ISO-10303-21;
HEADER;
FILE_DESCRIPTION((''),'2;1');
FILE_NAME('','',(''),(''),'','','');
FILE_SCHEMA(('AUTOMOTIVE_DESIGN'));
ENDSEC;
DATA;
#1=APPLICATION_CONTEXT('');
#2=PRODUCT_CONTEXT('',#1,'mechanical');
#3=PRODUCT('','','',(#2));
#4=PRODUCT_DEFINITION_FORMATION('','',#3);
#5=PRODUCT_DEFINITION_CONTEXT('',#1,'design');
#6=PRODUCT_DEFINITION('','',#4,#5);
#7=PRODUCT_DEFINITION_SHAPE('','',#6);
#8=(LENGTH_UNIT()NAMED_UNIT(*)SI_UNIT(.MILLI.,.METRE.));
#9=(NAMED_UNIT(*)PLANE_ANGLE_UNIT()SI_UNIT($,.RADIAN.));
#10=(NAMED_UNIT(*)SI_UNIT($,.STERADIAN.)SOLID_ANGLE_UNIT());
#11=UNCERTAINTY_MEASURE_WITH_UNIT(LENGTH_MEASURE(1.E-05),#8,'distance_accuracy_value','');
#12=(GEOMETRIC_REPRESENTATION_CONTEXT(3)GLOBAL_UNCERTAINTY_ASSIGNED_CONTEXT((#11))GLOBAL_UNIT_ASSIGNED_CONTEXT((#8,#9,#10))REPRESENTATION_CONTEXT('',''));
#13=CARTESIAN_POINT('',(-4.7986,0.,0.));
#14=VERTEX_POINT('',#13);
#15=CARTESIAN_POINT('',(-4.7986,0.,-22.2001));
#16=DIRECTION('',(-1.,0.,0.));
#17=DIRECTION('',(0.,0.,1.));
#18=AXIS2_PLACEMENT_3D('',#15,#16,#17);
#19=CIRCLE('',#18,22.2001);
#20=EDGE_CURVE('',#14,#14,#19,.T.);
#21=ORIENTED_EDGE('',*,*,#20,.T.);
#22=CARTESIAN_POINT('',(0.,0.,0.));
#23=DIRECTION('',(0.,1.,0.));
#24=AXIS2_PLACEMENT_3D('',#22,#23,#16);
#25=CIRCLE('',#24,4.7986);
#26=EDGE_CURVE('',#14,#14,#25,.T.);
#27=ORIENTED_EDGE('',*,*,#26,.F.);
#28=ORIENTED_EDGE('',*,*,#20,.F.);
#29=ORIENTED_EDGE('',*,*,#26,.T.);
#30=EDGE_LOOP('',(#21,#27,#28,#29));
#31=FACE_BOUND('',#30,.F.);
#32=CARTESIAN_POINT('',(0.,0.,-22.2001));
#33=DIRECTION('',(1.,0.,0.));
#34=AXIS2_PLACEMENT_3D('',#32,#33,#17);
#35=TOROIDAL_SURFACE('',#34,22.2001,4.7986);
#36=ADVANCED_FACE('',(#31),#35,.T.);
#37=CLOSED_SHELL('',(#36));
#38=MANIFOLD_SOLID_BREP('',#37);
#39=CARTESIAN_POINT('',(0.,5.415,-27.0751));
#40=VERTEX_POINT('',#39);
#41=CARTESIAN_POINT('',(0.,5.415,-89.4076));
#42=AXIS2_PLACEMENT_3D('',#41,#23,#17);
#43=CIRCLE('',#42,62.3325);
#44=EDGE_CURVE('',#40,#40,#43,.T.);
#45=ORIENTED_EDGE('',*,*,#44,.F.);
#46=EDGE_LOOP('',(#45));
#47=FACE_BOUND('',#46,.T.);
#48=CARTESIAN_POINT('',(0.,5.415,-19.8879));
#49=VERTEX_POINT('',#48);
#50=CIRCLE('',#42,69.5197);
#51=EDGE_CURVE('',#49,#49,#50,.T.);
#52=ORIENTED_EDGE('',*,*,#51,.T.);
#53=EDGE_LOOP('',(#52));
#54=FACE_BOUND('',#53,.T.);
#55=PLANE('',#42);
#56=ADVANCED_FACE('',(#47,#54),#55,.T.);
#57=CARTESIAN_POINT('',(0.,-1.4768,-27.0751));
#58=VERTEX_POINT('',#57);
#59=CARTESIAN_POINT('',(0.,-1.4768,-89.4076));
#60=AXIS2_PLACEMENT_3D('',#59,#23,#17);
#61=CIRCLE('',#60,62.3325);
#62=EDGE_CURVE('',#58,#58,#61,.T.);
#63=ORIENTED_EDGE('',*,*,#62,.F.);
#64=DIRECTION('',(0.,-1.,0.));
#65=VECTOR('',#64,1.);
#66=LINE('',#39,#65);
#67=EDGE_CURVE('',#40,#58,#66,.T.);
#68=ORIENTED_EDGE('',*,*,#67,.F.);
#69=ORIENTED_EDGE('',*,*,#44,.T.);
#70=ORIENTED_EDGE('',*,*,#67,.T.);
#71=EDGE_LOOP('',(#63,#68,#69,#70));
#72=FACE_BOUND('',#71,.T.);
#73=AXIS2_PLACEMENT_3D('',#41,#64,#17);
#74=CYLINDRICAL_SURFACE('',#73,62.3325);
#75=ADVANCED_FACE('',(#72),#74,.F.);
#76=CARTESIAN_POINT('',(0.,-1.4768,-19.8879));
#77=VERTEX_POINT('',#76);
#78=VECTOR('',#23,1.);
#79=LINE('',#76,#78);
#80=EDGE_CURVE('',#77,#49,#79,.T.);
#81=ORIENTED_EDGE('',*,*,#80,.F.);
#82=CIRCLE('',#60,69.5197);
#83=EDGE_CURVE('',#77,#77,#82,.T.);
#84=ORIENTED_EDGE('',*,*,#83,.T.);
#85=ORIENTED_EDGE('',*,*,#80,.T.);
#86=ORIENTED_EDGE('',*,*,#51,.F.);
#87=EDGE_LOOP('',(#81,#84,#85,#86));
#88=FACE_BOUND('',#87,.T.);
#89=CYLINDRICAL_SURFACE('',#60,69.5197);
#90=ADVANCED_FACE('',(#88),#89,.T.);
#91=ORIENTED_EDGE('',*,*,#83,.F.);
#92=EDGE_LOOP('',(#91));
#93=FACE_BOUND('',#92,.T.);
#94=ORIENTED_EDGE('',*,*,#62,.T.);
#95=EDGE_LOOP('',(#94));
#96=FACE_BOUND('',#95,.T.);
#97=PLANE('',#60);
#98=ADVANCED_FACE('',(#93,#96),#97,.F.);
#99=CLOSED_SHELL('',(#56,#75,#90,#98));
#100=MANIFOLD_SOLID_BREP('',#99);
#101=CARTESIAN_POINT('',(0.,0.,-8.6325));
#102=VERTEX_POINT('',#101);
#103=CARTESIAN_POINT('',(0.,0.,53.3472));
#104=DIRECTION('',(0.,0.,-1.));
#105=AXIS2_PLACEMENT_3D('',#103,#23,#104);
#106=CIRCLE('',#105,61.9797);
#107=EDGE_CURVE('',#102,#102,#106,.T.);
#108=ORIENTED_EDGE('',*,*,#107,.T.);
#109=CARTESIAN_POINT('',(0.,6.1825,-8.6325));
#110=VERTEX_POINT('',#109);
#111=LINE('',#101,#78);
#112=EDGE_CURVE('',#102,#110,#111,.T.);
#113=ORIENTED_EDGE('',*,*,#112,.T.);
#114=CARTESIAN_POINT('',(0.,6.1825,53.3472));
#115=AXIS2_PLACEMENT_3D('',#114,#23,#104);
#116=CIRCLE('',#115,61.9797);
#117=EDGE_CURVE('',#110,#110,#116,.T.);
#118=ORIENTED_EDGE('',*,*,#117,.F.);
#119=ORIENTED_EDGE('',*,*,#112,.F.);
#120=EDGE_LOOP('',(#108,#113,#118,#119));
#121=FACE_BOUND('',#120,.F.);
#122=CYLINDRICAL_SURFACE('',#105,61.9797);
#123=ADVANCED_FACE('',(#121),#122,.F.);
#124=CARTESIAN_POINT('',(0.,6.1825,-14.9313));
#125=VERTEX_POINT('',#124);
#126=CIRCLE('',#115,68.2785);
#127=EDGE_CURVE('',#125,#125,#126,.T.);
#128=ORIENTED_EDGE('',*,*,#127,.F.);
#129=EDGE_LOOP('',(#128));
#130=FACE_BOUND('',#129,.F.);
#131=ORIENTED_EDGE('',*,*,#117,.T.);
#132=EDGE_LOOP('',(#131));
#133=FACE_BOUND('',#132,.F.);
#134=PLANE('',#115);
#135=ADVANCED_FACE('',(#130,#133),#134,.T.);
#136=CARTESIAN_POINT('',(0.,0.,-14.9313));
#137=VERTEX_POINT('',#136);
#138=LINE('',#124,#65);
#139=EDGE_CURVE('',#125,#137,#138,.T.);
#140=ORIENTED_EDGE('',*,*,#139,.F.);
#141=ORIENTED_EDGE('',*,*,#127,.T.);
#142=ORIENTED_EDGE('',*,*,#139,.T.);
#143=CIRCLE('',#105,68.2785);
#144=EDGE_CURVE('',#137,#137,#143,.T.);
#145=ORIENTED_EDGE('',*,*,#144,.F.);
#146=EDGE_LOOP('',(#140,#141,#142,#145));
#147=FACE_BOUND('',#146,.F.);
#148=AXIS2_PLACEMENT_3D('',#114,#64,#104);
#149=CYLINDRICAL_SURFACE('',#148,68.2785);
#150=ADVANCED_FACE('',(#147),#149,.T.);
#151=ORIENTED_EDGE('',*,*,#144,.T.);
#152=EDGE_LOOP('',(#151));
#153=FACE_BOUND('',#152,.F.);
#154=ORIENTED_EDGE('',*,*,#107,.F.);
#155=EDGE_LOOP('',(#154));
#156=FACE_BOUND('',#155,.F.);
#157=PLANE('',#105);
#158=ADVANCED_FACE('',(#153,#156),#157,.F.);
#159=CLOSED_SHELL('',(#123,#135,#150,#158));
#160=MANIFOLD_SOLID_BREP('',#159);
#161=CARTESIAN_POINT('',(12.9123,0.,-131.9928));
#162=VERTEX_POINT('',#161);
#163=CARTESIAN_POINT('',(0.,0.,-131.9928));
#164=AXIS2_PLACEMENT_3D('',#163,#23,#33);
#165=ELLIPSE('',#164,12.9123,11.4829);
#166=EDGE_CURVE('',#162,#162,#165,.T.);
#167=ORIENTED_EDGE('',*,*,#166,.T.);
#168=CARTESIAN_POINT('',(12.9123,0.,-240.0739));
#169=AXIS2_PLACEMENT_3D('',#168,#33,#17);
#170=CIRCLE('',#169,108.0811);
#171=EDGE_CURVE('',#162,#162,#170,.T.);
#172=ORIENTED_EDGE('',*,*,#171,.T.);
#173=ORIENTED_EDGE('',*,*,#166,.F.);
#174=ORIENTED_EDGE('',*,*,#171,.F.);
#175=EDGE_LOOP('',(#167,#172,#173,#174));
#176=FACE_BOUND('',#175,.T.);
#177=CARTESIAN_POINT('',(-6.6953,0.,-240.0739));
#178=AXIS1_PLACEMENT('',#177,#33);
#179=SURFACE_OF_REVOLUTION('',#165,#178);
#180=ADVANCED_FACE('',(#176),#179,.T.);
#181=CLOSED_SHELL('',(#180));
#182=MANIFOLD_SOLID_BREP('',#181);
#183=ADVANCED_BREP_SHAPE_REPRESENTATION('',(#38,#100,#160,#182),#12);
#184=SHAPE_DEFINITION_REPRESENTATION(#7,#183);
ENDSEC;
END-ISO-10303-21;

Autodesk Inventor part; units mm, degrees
ref_plane "XY Plane" through (0, 0, 0) normal (0, 0, 1) x (1, 0, 0)
sketch "Sketch1" plane through (0, 0, 0) normal (0, 1, 0) x (-1, 0, 0)
  circle A0 centre (0, 0) radius 4.7986
  line L0 (-3.1183, -22.2001) -> (2.8357, -22.2001)
revolve "Revolution1" add sketch "Sketch1" angle 360 about axis through (3.1183, 0, -22.2001) along (-1, 0, 0)
ref_plane "Work Plane1" through (0, 0, 0) normal (1, 0, 0) x (0, 1, 0)
ref_plane "Work Plane2" through (0, 0, 0) normal (0, 1, 0) x (-1, 0, 0)
sketch "Sketch2" plane through (0, 0, 0) normal (1, 0, 0) x (0, 1, 0)
  line L0 (-1.4768, -19.8879) -> (5.415, -19.8879)
  line L1 (5.415, -19.8879) -> (5.415, -27.0751)
  line L2 (5.415, -27.0751) -> (-1.4768, -27.0751)
  line L3 (-1.4768, -27.0751) -> (-1.4768, -19.8879)
  line L4 (-10.6503, -89.4076) -> (11.1118, -89.4076)
  point P0 (0, 0)
revolve "Revolution2" add sketch "Sketch2" angle 360 about axis through (0, -10.6503, -89.4076) along (0, 1, 0)
sketch "Sketch3" plane through (0, 0, 0) normal (0, 1, 0) x (-1, 0, 0)
  ellipse E0 centre (0, -131.9928) end of major axis (-12.9123, -131.9928) minor radius 11.4829
  line L0 (6.6953, -240.0739) -> (-12.9123, -240.0739)
  point P0 (0, 0)
revolve "Revolution3" add sketch "Sketch3" angle 360 about axis through (-6.6953, 0, -240.0739) along (1, 0, 0)
sketch "Sketch4" plane through (0, 0, 0) normal (1, 0, 0) x (0, 1, 0)
  line L0 (0, -8.6325) -> (6.1825, -8.6325)
  line L1 (6.1825, -8.6325) -> (6.1825, -14.9313)
  line L2 (6.1825, -14.9313) -> (0, -14.9313)
  line L3 (0, -14.9313) -> (0, -8.6325)
  line L4 (-4.6514, 53.3472) -> (6.1825, 53.3472)
  point P0 (0, 0)
revolve "Revolution4" add sketch "Sketch4" angle 360 about axis through (0, -4.6514, 53.3472) along (0, 1, 0)
mirror "Mirror1" about plane through (0, 0, 0) normal (0, 1, 0) of "Revolution3"
properties part number "4 ring revolve"
